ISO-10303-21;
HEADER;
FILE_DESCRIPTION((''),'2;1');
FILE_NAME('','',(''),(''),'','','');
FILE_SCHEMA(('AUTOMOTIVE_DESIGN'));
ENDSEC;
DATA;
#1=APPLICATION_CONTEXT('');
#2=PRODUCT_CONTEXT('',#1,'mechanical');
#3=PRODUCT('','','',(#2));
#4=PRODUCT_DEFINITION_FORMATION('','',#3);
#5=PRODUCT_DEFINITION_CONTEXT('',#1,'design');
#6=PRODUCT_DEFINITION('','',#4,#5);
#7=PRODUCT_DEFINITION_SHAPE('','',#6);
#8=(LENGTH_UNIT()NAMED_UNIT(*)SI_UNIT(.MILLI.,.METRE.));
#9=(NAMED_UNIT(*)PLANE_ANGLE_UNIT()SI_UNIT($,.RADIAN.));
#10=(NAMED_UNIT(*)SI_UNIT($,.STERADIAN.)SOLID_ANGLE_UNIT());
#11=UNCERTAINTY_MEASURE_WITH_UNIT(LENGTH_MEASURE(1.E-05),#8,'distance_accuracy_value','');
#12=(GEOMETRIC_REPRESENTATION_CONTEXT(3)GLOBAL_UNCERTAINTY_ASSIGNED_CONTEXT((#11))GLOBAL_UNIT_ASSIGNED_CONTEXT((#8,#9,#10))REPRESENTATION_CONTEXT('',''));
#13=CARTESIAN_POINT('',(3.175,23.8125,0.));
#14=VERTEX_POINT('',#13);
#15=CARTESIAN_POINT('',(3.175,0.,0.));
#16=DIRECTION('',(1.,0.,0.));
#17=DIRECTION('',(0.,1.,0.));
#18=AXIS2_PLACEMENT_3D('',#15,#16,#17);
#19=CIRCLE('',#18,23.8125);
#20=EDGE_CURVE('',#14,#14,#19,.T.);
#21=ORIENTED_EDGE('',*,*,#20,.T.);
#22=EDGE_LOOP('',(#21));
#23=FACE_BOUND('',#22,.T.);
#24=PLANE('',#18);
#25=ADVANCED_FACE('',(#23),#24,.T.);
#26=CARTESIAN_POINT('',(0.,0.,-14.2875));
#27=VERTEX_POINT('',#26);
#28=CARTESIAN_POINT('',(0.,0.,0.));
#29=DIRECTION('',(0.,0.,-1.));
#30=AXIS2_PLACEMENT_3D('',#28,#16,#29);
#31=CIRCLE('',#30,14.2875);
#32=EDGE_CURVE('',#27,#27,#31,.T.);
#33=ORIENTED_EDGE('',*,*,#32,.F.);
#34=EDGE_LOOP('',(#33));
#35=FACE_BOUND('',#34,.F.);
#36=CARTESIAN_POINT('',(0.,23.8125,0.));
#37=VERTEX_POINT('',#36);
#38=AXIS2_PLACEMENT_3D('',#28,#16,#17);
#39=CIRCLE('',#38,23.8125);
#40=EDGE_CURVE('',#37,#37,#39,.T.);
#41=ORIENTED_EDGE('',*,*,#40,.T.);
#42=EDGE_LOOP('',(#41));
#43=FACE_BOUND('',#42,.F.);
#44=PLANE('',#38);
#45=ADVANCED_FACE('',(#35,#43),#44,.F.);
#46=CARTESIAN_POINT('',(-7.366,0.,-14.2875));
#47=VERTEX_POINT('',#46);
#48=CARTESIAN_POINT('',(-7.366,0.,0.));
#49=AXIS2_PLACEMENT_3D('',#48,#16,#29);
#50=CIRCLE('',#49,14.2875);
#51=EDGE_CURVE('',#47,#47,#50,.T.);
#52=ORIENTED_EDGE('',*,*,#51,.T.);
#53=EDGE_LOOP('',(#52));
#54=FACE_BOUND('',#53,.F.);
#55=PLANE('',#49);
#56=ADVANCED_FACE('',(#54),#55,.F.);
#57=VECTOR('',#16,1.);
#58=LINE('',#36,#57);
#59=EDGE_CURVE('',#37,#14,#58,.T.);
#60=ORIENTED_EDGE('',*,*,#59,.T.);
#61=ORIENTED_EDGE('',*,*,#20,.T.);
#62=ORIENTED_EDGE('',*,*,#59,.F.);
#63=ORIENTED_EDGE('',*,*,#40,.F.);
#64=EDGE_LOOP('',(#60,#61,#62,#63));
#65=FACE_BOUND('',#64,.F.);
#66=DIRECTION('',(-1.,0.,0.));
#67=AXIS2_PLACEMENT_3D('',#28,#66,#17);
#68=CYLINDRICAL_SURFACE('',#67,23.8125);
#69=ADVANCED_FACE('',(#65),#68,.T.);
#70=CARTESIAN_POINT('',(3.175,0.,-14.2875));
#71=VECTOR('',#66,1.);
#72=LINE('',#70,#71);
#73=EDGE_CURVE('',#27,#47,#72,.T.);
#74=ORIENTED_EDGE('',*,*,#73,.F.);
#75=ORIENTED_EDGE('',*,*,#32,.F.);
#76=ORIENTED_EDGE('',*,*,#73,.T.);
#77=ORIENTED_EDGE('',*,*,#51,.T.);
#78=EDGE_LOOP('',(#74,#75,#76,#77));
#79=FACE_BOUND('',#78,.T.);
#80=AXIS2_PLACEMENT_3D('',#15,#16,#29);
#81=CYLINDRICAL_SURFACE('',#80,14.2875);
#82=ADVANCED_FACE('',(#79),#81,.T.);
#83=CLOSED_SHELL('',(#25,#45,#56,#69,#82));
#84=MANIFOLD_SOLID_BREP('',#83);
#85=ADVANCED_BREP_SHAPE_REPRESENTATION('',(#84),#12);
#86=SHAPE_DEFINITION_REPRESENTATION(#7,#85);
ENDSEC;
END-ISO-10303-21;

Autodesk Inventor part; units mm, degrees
ref_plane "YZ Plane" through (0, 0, 0) normal (1, 0, 0) x (0, 1, 0)
ref_plane "XZ Plane" through (0, 0, 0) normal (0, 1, 0) x (-1, 0, 0)
ref_plane "XY Plane" through (0, 0, 0) normal (0, 0, 1) x (1, 0, 0)
sketch "Sketch1" plane through (0, 0, 0) normal (1, 0, 0) x (0, 1, 0)
  circle A0 centre (0, 0) radius 23.8125
  circle A1 centre (0, 0) radius 6.35
  dimension "d0" = 47.625
  dimension "d1" = 12.7
extrude "Extrusion1" add sketch "Sketch1" along normal blind 3.175
sketch "Sketch2" plane through (3.175, 0, 0) normal (1, 0, 0) x (0, 0, -1)
  circle A0 centre (0, 0) radius 14.2875
  dimension "d4" = 28.575
extrude "Extrusion2" add sketch "Sketch2" against normal blind 10.541
properties part number "22 tooth sprocket"
